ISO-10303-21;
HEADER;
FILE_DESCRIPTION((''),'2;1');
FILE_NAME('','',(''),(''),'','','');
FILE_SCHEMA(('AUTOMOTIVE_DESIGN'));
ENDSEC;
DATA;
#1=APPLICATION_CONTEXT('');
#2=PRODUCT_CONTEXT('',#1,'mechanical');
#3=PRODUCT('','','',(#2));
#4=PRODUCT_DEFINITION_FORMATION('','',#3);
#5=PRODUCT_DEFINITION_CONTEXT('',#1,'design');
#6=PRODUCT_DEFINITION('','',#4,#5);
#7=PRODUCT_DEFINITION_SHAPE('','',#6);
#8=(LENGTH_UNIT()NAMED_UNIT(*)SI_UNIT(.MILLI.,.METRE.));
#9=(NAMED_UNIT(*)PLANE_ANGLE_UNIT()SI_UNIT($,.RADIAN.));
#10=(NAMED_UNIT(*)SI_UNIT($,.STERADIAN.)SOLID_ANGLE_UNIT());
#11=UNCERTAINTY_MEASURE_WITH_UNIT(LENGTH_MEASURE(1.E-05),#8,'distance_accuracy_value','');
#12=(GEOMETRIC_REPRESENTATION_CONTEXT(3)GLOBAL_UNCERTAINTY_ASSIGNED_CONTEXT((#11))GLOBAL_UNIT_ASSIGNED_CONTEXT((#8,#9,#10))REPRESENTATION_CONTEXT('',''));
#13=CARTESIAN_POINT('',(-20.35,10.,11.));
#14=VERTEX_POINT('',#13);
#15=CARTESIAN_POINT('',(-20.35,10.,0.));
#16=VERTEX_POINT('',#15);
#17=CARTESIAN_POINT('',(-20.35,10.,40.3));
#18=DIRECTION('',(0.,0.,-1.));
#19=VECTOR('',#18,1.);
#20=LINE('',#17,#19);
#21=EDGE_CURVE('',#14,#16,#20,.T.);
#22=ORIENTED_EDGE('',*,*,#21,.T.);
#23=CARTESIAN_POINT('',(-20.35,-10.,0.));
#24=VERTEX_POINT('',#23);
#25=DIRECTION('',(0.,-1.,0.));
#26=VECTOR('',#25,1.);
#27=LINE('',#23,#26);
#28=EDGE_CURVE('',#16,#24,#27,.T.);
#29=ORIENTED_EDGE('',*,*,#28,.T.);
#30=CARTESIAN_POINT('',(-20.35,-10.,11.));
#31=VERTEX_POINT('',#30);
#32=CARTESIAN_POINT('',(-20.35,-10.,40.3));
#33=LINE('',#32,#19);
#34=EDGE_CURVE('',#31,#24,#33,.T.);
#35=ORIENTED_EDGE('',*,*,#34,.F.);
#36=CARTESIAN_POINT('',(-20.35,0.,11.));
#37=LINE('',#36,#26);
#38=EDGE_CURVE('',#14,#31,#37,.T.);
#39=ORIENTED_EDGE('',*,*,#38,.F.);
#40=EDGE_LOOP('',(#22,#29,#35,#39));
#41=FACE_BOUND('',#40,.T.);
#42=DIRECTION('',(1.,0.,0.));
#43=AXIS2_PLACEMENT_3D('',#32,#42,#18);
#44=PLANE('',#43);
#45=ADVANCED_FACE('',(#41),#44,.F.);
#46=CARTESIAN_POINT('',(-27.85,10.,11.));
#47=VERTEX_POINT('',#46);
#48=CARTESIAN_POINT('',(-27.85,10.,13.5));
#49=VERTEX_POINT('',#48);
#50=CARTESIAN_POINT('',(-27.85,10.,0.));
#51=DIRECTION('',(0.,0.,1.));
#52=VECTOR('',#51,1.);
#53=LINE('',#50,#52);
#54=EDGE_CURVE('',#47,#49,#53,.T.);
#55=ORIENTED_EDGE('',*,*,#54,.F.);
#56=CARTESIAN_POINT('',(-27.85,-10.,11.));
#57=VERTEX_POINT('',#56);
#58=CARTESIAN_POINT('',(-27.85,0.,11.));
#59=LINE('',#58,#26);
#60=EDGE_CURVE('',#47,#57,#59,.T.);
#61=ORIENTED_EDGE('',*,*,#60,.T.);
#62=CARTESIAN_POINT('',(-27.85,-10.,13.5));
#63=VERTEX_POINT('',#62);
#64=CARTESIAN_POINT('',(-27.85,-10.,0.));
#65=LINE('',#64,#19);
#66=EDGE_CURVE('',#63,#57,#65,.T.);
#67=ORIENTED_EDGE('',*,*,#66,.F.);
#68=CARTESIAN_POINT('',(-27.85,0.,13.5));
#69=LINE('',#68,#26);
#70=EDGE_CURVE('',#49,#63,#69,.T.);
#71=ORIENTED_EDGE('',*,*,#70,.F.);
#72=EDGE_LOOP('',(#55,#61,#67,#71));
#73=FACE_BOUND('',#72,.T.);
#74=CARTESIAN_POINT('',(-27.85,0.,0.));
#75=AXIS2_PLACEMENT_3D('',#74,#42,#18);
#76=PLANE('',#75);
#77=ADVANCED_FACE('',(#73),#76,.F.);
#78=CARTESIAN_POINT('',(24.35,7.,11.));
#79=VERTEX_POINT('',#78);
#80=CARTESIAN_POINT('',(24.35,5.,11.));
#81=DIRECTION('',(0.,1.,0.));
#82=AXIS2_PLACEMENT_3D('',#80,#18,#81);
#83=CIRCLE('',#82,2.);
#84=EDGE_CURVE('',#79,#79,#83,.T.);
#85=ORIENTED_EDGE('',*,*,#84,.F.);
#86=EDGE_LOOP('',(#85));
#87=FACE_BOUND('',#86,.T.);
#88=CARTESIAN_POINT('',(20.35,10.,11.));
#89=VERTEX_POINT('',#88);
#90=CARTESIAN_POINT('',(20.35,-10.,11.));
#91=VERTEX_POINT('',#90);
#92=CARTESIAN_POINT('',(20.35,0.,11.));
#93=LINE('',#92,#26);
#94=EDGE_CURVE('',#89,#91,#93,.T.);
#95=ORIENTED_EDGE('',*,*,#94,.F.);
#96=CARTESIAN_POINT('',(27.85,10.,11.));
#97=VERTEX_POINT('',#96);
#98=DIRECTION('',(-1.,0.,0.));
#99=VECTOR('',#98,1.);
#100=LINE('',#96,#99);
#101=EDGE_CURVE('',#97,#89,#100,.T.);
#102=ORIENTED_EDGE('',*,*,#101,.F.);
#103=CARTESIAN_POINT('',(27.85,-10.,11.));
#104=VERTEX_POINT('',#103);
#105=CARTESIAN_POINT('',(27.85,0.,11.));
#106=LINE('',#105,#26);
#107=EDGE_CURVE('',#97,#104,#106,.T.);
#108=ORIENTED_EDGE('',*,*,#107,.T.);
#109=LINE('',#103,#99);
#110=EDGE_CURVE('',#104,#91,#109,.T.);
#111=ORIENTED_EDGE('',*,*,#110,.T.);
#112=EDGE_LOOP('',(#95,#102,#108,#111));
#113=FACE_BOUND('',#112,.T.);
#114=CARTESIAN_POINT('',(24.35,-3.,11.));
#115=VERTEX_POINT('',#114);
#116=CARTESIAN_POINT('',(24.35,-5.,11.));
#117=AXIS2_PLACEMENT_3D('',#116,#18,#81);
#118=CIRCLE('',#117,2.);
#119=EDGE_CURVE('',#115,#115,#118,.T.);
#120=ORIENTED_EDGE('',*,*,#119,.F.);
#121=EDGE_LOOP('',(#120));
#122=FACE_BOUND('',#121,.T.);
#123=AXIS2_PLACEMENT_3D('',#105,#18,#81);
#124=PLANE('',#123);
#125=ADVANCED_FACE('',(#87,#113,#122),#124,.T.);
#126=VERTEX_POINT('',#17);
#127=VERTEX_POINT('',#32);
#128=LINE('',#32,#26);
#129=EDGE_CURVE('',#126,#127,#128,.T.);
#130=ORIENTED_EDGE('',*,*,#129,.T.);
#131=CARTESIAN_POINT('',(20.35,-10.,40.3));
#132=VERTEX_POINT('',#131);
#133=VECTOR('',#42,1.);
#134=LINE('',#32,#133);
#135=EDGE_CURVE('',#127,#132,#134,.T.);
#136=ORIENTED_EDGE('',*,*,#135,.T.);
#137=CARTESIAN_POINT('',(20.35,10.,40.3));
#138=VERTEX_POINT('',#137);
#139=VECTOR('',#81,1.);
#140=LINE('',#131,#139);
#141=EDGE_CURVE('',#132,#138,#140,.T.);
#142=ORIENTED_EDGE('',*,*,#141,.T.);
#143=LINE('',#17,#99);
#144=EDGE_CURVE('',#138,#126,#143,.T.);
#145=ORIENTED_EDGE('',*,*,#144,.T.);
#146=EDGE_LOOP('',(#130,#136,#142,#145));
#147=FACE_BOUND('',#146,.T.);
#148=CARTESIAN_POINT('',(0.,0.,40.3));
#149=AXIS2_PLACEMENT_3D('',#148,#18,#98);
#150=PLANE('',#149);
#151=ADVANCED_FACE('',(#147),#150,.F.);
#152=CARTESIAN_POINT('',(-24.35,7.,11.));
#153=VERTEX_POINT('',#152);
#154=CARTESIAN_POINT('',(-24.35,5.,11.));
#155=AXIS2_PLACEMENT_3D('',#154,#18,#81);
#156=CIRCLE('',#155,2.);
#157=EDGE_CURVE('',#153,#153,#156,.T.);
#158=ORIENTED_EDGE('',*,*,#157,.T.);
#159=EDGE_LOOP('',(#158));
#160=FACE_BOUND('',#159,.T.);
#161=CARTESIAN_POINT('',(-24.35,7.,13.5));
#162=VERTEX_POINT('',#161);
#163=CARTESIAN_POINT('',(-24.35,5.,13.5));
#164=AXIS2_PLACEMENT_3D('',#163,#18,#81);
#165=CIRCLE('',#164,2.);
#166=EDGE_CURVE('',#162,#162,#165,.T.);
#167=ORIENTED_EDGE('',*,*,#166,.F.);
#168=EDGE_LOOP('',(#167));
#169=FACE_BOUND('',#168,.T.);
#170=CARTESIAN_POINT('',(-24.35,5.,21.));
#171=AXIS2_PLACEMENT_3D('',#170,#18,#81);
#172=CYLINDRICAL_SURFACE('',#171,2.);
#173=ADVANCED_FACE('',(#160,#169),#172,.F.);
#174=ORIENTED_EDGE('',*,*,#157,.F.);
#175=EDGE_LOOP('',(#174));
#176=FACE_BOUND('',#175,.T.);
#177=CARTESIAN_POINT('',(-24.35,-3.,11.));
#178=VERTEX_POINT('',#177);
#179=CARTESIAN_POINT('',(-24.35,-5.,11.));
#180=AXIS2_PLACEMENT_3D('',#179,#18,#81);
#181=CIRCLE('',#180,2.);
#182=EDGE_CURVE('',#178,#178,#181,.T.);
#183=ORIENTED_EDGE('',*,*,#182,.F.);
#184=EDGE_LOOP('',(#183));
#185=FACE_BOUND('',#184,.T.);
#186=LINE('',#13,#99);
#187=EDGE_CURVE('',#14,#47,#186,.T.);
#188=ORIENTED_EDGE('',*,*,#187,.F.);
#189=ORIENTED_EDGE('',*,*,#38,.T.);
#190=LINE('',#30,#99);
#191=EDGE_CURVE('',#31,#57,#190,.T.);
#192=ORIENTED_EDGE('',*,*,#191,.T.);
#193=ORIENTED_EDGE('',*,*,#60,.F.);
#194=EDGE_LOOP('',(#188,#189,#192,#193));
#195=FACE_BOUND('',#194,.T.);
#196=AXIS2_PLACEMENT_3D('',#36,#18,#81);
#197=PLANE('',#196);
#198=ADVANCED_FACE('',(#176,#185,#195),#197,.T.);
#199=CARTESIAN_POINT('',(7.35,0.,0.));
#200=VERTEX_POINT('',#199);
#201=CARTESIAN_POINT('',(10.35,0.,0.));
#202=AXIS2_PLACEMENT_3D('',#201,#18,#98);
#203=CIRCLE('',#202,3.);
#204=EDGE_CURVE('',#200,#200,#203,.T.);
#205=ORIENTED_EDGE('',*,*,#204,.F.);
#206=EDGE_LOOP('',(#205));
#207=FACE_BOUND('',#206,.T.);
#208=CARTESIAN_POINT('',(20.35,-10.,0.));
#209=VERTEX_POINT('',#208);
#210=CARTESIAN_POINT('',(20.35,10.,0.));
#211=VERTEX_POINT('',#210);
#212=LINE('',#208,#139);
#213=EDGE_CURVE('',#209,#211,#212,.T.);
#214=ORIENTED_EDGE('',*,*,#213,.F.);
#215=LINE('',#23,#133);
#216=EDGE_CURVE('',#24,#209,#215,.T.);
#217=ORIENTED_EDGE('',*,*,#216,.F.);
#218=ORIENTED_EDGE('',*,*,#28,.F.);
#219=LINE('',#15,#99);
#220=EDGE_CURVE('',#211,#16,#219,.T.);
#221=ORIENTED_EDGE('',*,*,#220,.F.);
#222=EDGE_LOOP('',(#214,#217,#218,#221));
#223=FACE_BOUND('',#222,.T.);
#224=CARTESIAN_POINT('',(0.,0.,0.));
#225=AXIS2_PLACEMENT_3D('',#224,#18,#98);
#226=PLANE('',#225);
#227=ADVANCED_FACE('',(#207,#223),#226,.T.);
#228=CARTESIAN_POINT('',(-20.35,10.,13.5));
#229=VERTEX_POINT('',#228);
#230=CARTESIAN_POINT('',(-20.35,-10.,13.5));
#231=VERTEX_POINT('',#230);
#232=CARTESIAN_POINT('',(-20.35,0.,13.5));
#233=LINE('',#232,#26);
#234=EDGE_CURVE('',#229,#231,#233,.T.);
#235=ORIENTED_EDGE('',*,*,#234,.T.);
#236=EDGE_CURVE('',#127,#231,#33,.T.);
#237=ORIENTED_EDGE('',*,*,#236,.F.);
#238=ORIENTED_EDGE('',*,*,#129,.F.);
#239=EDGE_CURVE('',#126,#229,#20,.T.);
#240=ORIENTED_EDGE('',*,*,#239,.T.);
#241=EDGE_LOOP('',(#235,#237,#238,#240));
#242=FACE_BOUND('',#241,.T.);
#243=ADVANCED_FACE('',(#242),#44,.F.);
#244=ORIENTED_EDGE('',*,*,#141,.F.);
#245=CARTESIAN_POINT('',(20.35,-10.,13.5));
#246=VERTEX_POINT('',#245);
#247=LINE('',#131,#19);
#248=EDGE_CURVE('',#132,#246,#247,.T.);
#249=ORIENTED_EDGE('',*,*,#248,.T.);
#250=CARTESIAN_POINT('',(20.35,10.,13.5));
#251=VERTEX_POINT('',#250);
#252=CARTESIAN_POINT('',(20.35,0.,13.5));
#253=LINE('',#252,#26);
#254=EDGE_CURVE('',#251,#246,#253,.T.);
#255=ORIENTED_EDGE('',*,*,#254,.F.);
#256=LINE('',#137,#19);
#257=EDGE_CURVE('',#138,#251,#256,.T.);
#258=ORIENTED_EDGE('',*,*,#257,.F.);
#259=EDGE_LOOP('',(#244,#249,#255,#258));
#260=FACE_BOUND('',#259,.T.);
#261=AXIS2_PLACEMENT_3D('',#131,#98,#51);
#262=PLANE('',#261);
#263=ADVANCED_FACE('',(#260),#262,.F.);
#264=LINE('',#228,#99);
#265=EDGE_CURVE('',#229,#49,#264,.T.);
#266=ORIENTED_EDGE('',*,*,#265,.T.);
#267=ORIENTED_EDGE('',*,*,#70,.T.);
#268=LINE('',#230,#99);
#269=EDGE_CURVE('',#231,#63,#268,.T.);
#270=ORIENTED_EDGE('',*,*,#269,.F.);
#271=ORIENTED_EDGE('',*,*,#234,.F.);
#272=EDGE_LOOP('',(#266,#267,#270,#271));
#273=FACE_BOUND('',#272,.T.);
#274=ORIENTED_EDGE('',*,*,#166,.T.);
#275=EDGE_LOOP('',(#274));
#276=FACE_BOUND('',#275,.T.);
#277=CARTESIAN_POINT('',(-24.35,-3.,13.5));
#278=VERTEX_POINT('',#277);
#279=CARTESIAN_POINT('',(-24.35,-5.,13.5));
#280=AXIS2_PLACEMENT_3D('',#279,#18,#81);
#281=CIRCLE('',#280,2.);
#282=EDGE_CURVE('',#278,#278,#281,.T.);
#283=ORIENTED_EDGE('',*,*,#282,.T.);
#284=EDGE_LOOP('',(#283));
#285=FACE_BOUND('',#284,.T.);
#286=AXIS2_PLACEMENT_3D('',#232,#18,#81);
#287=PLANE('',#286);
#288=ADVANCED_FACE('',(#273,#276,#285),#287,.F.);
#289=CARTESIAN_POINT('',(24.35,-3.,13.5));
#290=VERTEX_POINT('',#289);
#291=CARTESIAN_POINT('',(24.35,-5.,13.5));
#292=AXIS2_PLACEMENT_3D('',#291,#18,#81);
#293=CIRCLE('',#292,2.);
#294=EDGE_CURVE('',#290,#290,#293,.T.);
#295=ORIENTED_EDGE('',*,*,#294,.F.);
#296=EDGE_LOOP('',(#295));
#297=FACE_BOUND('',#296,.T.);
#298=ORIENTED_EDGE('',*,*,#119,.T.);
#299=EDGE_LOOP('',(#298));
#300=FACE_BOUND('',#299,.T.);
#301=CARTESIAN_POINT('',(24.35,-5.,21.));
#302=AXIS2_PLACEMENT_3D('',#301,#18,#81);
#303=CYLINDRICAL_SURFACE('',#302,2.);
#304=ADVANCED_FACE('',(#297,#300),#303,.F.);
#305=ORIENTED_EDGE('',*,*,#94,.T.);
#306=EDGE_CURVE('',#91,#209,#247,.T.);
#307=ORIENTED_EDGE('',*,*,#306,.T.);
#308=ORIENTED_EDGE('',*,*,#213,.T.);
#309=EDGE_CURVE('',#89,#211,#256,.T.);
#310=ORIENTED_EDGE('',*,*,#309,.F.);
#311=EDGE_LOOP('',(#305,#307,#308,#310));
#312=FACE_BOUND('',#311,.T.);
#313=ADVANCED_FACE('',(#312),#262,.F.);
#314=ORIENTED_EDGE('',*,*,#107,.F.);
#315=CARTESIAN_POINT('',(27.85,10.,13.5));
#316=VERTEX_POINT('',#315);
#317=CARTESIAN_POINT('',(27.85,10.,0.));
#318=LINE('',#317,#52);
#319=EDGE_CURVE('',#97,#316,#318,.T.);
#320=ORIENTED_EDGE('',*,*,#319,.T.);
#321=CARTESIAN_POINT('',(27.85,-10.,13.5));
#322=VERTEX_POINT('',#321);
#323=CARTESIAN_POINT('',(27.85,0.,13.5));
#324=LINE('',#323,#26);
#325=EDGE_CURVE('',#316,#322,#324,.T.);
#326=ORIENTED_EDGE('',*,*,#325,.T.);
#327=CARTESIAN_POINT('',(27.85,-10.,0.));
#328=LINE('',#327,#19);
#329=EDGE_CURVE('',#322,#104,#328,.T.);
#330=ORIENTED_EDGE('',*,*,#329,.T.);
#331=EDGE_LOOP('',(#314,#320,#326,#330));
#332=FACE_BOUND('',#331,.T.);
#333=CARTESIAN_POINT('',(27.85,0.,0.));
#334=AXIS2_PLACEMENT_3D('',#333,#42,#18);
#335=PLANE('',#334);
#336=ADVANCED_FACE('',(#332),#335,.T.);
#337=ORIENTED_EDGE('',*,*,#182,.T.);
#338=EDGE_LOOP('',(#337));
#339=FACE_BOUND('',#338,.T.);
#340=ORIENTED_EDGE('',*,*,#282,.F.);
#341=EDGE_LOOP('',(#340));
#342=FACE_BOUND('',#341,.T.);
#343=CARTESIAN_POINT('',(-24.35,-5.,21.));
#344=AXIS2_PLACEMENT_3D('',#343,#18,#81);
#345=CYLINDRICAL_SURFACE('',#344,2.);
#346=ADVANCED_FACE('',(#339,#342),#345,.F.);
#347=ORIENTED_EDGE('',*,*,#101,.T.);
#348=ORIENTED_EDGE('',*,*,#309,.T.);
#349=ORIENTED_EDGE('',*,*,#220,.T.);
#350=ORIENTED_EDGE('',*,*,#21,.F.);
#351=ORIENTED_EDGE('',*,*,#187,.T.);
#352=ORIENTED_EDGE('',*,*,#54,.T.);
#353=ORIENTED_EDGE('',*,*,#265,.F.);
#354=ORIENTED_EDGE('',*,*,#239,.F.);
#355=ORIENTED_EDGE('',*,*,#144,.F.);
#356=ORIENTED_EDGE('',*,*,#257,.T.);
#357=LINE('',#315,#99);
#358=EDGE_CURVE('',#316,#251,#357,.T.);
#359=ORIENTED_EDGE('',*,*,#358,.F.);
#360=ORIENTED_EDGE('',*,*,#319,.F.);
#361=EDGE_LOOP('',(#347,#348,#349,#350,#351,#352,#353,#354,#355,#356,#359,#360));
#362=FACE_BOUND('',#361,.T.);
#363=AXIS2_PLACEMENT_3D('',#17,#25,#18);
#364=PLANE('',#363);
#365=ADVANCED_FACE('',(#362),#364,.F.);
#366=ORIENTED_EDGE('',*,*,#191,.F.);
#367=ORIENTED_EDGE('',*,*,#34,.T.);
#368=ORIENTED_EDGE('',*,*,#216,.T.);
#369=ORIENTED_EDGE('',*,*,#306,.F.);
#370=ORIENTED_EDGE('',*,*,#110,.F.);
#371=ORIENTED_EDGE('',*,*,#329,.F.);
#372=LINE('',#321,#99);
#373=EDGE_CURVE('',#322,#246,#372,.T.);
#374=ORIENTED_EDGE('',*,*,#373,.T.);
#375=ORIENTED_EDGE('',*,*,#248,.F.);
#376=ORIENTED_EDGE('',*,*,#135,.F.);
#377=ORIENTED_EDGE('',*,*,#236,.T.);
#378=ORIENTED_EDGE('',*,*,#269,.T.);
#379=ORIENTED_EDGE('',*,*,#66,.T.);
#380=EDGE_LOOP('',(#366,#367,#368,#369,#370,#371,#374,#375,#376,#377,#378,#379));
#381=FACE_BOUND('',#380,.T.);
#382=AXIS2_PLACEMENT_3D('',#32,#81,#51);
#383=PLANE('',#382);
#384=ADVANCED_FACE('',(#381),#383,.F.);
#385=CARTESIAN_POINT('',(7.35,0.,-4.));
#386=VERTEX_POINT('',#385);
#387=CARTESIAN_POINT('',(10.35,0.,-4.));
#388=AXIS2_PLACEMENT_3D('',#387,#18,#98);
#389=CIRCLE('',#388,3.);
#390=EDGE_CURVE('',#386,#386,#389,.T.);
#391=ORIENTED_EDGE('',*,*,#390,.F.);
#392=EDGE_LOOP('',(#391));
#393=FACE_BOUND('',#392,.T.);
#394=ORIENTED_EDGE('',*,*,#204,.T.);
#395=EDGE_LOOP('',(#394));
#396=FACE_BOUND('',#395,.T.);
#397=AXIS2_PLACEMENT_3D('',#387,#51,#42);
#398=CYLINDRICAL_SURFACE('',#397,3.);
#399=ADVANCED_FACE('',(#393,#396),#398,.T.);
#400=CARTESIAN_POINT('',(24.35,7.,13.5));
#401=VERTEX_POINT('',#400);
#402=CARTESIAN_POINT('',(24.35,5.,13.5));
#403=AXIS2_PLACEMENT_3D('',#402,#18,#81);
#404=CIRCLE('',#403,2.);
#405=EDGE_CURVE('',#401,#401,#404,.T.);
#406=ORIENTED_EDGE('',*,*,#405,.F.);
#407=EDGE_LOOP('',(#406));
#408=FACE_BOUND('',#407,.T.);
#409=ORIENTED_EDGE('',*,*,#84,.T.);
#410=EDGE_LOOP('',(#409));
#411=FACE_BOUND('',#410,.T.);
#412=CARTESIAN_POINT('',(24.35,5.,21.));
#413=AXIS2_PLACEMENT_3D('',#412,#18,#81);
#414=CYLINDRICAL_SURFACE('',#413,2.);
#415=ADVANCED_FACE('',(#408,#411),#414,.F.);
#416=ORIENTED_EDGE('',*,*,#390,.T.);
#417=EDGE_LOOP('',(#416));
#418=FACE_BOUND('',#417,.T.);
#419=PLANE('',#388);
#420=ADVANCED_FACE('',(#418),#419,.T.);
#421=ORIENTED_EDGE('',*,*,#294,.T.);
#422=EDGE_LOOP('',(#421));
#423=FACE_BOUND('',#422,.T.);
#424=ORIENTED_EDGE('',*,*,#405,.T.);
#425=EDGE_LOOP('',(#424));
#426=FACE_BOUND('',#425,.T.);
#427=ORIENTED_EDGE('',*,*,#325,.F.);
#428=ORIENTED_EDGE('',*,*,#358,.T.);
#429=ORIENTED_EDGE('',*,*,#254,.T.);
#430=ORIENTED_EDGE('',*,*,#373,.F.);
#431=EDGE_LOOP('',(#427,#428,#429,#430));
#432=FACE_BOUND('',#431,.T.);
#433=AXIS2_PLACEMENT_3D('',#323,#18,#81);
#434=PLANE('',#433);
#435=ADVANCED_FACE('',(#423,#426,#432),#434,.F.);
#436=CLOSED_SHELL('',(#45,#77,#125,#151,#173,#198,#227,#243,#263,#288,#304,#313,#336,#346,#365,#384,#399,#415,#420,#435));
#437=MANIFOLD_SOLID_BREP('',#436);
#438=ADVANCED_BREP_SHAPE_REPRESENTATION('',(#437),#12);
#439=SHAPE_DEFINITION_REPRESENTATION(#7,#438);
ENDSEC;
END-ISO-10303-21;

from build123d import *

# Parameters (mm, degrees)
SCHIZZO1_W                   = 40.7
SCHIZZO1_H                   = 20
ESTRUSIONE_ESTRUSIONE1_DEPTH = 40.3
SCHIZZO2_W                   = 2.5
SCHIZZO2_H                   = 20
ESTRUSIONE_ESTRUSIONE2_DEPTH = 7.5
RIPETIZIONE_A_L1_COUNT       = 2
RIPETIZIONE_A_L1_PITCH       = 48.2
SCHIZZO3_R                   = 3
ESTRUSIONE_ESTRUSIONE3_DEPTH = 4
SCHIZZO4_R                   = 2
TAGLIO_ESTRUSIONE1_DEPTH     = 10


with BuildPart() as part:
    # Schizzo1 → Estrusione-Estrusione1 (new body)
    with BuildSketch(Plane.XY):
        Rectangle(SCHIZZO1_W, SCHIZZO1_H)
    extrude(amount=ESTRUSIONE_ESTRUSIONE1_DEPTH)

    # Schizzo2 → Estrusione-Estrusione2 (add)
    with BuildSketch(Plane(origin=(20.35, 0, 0), x_dir=(0, 0, -1), z_dir=(1, 0, 0))):
        with Locations((-12.25, 0)):
            Rectangle(SCHIZZO2_W, SCHIZZO2_H)
    estrusione_estrusione2 = extrude(amount=ESTRUSIONE_ESTRUSIONE2_DEPTH)

    # Ripetizione a L1: Estrusione-Estrusione2 ×2
    with Locations(*[(-i * RIPETIZIONE_A_L1_PITCH, 0, 0) for i in range(1, RIPETIZIONE_A_L1_COUNT)]):
        add(estrusione_estrusione2)

    # Schizzo3 → Estrusione-Estrusione3 (add)
    with BuildSketch(Plane(origin=(0, 0, 0), x_dir=(-1, 0, 0), z_dir=(0, 0, -1))):
        with Locations((-10.35, 0)):
            Circle(SCHIZZO3_R)
    extrude(amount=ESTRUSIONE_ESTRUSIONE3_DEPTH)

    # Schizzo4 → Taglio-Estrusione1 (cut)
    with BuildSketch(Plane(origin=(0, 0, 11), x_dir=(-1, 0, 0), z_dir=(0, 0, -1))):
        with Locations((-24.35, 5)):
            Circle(SCHIZZO4_R)
        with Locations((-24.35, -5)):
            Circle(SCHIZZO4_R)
        with Locations((24.35, 5)):
            Circle(SCHIZZO4_R)
        with Locations((24.35, -5)):
            Circle(SCHIZZO4_R)
    extrude(amount=-TAGLIO_ESTRUSIONE1_DEPTH, mode=Mode.SUBTRACT)


solid = part.part
